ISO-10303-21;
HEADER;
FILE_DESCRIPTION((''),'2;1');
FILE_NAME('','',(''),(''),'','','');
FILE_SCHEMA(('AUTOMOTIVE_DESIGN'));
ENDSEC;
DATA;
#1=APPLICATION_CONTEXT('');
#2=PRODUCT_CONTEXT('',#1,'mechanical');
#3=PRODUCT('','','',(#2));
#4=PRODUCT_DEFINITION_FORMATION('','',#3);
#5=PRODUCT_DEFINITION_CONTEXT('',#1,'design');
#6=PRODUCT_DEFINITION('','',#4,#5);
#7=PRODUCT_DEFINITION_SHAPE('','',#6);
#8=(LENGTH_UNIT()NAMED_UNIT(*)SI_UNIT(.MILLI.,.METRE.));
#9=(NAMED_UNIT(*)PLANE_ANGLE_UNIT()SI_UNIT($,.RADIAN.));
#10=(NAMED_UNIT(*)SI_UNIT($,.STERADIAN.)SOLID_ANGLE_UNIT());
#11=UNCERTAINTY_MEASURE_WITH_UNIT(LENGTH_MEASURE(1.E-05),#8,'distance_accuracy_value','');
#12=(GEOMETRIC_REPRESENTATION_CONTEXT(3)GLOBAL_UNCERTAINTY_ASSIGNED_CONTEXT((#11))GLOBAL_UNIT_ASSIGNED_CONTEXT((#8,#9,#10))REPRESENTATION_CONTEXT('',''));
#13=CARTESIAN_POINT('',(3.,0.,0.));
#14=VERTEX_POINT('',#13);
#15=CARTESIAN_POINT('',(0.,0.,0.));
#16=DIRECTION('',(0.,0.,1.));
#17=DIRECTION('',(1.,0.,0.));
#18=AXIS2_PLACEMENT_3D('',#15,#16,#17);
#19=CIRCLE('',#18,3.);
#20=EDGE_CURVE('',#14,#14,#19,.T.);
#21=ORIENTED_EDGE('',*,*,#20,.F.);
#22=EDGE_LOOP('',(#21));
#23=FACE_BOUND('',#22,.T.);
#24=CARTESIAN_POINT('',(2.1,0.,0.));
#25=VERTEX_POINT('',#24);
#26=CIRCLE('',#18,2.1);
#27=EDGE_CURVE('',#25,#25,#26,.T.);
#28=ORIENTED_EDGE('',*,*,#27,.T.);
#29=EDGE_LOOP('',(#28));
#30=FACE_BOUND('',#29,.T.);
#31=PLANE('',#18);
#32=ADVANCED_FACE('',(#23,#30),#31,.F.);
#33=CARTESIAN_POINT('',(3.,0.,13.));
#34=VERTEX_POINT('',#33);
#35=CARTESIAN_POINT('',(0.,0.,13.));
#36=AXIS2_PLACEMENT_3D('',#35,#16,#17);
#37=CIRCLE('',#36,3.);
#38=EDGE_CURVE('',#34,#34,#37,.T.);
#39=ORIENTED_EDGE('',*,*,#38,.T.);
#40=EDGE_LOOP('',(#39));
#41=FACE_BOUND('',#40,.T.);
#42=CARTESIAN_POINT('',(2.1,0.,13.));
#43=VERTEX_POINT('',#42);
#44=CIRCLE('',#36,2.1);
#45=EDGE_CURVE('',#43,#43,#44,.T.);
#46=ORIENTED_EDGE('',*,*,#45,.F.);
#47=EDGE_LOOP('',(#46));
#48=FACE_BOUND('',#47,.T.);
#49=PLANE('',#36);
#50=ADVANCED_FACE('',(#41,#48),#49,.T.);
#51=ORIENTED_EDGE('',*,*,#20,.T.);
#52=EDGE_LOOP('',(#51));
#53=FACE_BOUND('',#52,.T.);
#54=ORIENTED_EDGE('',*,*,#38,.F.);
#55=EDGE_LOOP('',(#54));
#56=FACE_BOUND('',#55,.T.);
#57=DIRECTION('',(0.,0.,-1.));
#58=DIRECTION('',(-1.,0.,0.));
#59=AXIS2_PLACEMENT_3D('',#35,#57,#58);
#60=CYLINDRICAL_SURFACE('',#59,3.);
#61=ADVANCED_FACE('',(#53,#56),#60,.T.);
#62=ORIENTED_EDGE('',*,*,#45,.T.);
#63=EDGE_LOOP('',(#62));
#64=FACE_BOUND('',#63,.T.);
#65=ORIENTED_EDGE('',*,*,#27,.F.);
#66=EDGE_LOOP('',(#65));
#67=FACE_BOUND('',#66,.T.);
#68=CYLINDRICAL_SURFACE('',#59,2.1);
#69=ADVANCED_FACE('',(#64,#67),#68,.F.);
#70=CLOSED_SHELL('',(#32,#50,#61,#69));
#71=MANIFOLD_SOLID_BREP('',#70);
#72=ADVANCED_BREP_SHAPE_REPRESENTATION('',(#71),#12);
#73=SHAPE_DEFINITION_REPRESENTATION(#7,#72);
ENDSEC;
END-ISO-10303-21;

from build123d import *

# Parameters (mm, degrees)
ESBO_O1_R                = 3
ESBO_O1_R_2              = 2.1
RESSALTO_EXTRUS_O1_DEPTH = 13


with BuildPart() as part:
    # Esboço1 → Ressalto-extrusão1 (new body)
    with BuildSketch(Plane.XY):
        Circle(ESBO_O1_R)
        Circle(ESBO_O1_R_2, mode=Mode.SUBTRACT)
    extrude(amount=RESSALTO_EXTRUS_O1_DEPTH)


solid = part.part
